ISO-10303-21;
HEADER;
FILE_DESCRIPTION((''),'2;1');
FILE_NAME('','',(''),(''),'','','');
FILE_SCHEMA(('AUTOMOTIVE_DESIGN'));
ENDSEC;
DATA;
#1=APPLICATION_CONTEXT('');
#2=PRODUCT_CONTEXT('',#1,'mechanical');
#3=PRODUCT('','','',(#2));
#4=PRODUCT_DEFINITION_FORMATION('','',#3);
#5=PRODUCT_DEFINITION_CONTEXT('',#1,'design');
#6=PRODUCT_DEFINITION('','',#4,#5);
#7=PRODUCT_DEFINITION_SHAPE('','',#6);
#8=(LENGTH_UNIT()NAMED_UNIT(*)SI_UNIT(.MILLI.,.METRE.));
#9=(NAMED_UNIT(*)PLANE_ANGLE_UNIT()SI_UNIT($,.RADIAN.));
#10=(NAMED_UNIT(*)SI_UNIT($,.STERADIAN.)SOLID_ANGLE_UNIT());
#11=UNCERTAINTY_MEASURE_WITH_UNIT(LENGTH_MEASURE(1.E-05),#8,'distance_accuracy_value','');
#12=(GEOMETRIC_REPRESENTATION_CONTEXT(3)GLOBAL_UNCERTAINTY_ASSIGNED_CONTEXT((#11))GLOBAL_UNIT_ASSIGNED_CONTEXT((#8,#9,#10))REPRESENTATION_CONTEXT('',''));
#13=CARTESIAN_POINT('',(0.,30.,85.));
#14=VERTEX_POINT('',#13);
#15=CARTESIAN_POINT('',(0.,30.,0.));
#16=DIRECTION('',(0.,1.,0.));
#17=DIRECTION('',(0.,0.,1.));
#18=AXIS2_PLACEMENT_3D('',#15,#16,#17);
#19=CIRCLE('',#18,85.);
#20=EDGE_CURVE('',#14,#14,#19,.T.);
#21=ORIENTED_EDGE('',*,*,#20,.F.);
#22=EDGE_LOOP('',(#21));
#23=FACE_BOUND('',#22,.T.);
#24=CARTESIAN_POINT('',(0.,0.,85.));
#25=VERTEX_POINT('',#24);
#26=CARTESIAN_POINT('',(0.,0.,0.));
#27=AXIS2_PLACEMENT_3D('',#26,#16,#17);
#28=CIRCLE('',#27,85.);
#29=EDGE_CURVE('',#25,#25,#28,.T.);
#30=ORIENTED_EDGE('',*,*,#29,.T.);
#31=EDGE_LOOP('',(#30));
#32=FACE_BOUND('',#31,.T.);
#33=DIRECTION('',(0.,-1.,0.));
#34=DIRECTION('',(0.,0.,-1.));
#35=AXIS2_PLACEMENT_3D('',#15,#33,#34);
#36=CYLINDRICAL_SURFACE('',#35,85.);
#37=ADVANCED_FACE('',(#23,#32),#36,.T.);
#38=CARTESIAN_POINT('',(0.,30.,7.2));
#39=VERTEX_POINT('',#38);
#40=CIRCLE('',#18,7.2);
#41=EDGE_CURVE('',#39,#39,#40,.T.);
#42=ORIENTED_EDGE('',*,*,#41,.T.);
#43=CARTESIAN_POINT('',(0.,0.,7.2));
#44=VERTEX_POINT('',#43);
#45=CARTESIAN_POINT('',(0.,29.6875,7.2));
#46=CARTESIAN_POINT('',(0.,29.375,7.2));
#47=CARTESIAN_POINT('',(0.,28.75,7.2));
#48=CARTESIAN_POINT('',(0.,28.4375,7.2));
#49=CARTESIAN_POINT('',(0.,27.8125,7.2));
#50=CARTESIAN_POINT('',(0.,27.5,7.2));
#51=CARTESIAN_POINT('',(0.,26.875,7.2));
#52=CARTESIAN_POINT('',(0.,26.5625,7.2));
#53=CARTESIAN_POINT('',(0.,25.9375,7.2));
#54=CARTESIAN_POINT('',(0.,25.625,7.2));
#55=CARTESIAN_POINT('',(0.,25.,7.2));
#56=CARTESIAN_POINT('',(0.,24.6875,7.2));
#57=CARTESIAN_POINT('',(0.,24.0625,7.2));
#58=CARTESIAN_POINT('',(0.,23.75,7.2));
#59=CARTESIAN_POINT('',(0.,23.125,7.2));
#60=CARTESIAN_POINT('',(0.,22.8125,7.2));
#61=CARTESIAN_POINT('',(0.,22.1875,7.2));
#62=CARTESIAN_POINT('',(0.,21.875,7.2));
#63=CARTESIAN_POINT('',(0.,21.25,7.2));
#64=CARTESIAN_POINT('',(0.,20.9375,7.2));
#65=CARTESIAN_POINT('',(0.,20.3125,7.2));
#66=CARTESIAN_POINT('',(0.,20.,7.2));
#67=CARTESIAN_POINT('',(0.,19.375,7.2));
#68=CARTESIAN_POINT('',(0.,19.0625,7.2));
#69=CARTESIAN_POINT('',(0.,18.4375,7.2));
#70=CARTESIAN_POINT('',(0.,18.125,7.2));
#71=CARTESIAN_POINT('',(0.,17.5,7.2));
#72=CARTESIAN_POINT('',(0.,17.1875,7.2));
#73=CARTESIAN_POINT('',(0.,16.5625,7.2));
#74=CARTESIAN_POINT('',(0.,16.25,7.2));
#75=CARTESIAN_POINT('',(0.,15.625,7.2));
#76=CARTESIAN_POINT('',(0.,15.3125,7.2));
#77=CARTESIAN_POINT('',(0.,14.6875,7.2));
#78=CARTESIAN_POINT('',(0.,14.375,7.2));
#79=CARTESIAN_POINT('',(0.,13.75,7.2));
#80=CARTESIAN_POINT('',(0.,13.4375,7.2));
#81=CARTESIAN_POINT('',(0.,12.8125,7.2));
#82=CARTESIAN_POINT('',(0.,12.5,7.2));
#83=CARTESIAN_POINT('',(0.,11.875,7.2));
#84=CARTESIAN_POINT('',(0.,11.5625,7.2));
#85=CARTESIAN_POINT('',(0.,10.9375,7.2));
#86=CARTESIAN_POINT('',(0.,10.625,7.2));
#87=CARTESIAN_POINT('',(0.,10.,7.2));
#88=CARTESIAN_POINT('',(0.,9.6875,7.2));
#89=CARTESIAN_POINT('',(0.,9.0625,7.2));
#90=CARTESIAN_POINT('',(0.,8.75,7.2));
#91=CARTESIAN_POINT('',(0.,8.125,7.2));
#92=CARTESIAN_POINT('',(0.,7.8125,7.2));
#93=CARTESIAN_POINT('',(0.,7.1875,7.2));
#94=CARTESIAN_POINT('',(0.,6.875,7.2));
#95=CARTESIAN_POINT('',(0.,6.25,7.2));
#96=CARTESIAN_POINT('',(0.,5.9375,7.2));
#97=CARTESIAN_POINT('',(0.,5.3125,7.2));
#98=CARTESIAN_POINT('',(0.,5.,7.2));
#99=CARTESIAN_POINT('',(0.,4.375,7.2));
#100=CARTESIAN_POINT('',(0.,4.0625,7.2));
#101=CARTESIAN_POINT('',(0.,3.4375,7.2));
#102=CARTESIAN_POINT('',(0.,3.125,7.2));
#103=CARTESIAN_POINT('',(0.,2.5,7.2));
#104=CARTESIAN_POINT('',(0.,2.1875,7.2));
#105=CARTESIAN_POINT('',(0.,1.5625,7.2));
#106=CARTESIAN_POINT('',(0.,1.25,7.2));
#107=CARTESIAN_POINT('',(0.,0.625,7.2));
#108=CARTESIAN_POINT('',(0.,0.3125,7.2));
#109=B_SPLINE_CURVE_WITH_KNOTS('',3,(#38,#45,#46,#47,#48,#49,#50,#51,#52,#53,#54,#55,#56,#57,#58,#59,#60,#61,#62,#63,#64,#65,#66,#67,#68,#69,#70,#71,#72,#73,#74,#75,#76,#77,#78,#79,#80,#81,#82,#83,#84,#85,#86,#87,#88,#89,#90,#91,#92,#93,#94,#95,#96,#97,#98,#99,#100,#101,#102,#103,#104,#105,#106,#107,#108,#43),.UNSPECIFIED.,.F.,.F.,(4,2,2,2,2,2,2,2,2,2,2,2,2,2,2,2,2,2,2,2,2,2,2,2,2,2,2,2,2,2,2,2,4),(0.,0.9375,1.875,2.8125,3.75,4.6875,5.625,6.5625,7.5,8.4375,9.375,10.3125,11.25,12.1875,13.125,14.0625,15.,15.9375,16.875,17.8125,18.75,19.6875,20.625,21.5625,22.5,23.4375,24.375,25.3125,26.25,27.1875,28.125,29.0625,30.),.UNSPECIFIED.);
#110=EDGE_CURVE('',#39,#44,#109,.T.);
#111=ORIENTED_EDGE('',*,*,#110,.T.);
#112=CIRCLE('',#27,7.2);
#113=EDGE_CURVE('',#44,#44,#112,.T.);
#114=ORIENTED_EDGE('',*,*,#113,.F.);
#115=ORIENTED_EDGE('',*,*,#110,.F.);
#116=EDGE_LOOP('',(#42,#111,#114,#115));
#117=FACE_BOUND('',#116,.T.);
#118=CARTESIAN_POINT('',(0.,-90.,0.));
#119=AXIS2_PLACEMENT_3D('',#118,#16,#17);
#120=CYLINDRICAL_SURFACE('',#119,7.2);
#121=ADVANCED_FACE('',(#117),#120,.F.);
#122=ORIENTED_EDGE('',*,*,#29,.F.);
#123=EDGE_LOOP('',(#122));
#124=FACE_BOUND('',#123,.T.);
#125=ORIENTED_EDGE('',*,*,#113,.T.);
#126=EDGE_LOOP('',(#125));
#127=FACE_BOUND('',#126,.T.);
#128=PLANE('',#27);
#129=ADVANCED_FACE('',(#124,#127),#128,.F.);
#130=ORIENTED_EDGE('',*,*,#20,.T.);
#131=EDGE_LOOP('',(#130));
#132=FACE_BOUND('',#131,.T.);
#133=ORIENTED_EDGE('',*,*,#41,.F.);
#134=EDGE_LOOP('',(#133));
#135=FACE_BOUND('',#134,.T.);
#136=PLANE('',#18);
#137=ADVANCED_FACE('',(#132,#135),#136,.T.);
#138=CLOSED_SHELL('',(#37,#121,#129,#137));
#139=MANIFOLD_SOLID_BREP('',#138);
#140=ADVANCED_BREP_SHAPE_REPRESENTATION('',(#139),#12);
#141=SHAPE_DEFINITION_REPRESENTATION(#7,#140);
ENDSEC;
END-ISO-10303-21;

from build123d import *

# Parameters (mm, degrees)
SKETCH1_R           = 85
BOSS_EXTRUDE1_DEPTH = 30
SKETCH2_R           = 7.2
CUT_EXTRUDE1_DEPTH  = 120


with BuildPart() as part:
    # Sketch1 → Boss-Extrude1 (new body)
    with BuildSketch(Plane(origin=(0, 0, 0), x_dir=(1, 0, 0), z_dir=(0, 1, 0))):
        with Locations(Location((0, 0, 0), (0, 0, 270))):
            Circle(SKETCH1_R)
    extrude(amount=BOSS_EXTRUDE1_DEPTH)

    # Sketch2 → Cut-Extrude1 (cut)
    with BuildSketch(Plane(origin=(0, 30, 0), x_dir=(1, 0, 0), z_dir=(0, 1, 0))):
        with Locations(Location((0, 0, 0), (0, 0, 270))):
            Circle(SKETCH2_R)
    extrude(amount=-CUT_EXTRUDE1_DEPTH, mode=Mode.SUBTRACT)


solid = part.part
